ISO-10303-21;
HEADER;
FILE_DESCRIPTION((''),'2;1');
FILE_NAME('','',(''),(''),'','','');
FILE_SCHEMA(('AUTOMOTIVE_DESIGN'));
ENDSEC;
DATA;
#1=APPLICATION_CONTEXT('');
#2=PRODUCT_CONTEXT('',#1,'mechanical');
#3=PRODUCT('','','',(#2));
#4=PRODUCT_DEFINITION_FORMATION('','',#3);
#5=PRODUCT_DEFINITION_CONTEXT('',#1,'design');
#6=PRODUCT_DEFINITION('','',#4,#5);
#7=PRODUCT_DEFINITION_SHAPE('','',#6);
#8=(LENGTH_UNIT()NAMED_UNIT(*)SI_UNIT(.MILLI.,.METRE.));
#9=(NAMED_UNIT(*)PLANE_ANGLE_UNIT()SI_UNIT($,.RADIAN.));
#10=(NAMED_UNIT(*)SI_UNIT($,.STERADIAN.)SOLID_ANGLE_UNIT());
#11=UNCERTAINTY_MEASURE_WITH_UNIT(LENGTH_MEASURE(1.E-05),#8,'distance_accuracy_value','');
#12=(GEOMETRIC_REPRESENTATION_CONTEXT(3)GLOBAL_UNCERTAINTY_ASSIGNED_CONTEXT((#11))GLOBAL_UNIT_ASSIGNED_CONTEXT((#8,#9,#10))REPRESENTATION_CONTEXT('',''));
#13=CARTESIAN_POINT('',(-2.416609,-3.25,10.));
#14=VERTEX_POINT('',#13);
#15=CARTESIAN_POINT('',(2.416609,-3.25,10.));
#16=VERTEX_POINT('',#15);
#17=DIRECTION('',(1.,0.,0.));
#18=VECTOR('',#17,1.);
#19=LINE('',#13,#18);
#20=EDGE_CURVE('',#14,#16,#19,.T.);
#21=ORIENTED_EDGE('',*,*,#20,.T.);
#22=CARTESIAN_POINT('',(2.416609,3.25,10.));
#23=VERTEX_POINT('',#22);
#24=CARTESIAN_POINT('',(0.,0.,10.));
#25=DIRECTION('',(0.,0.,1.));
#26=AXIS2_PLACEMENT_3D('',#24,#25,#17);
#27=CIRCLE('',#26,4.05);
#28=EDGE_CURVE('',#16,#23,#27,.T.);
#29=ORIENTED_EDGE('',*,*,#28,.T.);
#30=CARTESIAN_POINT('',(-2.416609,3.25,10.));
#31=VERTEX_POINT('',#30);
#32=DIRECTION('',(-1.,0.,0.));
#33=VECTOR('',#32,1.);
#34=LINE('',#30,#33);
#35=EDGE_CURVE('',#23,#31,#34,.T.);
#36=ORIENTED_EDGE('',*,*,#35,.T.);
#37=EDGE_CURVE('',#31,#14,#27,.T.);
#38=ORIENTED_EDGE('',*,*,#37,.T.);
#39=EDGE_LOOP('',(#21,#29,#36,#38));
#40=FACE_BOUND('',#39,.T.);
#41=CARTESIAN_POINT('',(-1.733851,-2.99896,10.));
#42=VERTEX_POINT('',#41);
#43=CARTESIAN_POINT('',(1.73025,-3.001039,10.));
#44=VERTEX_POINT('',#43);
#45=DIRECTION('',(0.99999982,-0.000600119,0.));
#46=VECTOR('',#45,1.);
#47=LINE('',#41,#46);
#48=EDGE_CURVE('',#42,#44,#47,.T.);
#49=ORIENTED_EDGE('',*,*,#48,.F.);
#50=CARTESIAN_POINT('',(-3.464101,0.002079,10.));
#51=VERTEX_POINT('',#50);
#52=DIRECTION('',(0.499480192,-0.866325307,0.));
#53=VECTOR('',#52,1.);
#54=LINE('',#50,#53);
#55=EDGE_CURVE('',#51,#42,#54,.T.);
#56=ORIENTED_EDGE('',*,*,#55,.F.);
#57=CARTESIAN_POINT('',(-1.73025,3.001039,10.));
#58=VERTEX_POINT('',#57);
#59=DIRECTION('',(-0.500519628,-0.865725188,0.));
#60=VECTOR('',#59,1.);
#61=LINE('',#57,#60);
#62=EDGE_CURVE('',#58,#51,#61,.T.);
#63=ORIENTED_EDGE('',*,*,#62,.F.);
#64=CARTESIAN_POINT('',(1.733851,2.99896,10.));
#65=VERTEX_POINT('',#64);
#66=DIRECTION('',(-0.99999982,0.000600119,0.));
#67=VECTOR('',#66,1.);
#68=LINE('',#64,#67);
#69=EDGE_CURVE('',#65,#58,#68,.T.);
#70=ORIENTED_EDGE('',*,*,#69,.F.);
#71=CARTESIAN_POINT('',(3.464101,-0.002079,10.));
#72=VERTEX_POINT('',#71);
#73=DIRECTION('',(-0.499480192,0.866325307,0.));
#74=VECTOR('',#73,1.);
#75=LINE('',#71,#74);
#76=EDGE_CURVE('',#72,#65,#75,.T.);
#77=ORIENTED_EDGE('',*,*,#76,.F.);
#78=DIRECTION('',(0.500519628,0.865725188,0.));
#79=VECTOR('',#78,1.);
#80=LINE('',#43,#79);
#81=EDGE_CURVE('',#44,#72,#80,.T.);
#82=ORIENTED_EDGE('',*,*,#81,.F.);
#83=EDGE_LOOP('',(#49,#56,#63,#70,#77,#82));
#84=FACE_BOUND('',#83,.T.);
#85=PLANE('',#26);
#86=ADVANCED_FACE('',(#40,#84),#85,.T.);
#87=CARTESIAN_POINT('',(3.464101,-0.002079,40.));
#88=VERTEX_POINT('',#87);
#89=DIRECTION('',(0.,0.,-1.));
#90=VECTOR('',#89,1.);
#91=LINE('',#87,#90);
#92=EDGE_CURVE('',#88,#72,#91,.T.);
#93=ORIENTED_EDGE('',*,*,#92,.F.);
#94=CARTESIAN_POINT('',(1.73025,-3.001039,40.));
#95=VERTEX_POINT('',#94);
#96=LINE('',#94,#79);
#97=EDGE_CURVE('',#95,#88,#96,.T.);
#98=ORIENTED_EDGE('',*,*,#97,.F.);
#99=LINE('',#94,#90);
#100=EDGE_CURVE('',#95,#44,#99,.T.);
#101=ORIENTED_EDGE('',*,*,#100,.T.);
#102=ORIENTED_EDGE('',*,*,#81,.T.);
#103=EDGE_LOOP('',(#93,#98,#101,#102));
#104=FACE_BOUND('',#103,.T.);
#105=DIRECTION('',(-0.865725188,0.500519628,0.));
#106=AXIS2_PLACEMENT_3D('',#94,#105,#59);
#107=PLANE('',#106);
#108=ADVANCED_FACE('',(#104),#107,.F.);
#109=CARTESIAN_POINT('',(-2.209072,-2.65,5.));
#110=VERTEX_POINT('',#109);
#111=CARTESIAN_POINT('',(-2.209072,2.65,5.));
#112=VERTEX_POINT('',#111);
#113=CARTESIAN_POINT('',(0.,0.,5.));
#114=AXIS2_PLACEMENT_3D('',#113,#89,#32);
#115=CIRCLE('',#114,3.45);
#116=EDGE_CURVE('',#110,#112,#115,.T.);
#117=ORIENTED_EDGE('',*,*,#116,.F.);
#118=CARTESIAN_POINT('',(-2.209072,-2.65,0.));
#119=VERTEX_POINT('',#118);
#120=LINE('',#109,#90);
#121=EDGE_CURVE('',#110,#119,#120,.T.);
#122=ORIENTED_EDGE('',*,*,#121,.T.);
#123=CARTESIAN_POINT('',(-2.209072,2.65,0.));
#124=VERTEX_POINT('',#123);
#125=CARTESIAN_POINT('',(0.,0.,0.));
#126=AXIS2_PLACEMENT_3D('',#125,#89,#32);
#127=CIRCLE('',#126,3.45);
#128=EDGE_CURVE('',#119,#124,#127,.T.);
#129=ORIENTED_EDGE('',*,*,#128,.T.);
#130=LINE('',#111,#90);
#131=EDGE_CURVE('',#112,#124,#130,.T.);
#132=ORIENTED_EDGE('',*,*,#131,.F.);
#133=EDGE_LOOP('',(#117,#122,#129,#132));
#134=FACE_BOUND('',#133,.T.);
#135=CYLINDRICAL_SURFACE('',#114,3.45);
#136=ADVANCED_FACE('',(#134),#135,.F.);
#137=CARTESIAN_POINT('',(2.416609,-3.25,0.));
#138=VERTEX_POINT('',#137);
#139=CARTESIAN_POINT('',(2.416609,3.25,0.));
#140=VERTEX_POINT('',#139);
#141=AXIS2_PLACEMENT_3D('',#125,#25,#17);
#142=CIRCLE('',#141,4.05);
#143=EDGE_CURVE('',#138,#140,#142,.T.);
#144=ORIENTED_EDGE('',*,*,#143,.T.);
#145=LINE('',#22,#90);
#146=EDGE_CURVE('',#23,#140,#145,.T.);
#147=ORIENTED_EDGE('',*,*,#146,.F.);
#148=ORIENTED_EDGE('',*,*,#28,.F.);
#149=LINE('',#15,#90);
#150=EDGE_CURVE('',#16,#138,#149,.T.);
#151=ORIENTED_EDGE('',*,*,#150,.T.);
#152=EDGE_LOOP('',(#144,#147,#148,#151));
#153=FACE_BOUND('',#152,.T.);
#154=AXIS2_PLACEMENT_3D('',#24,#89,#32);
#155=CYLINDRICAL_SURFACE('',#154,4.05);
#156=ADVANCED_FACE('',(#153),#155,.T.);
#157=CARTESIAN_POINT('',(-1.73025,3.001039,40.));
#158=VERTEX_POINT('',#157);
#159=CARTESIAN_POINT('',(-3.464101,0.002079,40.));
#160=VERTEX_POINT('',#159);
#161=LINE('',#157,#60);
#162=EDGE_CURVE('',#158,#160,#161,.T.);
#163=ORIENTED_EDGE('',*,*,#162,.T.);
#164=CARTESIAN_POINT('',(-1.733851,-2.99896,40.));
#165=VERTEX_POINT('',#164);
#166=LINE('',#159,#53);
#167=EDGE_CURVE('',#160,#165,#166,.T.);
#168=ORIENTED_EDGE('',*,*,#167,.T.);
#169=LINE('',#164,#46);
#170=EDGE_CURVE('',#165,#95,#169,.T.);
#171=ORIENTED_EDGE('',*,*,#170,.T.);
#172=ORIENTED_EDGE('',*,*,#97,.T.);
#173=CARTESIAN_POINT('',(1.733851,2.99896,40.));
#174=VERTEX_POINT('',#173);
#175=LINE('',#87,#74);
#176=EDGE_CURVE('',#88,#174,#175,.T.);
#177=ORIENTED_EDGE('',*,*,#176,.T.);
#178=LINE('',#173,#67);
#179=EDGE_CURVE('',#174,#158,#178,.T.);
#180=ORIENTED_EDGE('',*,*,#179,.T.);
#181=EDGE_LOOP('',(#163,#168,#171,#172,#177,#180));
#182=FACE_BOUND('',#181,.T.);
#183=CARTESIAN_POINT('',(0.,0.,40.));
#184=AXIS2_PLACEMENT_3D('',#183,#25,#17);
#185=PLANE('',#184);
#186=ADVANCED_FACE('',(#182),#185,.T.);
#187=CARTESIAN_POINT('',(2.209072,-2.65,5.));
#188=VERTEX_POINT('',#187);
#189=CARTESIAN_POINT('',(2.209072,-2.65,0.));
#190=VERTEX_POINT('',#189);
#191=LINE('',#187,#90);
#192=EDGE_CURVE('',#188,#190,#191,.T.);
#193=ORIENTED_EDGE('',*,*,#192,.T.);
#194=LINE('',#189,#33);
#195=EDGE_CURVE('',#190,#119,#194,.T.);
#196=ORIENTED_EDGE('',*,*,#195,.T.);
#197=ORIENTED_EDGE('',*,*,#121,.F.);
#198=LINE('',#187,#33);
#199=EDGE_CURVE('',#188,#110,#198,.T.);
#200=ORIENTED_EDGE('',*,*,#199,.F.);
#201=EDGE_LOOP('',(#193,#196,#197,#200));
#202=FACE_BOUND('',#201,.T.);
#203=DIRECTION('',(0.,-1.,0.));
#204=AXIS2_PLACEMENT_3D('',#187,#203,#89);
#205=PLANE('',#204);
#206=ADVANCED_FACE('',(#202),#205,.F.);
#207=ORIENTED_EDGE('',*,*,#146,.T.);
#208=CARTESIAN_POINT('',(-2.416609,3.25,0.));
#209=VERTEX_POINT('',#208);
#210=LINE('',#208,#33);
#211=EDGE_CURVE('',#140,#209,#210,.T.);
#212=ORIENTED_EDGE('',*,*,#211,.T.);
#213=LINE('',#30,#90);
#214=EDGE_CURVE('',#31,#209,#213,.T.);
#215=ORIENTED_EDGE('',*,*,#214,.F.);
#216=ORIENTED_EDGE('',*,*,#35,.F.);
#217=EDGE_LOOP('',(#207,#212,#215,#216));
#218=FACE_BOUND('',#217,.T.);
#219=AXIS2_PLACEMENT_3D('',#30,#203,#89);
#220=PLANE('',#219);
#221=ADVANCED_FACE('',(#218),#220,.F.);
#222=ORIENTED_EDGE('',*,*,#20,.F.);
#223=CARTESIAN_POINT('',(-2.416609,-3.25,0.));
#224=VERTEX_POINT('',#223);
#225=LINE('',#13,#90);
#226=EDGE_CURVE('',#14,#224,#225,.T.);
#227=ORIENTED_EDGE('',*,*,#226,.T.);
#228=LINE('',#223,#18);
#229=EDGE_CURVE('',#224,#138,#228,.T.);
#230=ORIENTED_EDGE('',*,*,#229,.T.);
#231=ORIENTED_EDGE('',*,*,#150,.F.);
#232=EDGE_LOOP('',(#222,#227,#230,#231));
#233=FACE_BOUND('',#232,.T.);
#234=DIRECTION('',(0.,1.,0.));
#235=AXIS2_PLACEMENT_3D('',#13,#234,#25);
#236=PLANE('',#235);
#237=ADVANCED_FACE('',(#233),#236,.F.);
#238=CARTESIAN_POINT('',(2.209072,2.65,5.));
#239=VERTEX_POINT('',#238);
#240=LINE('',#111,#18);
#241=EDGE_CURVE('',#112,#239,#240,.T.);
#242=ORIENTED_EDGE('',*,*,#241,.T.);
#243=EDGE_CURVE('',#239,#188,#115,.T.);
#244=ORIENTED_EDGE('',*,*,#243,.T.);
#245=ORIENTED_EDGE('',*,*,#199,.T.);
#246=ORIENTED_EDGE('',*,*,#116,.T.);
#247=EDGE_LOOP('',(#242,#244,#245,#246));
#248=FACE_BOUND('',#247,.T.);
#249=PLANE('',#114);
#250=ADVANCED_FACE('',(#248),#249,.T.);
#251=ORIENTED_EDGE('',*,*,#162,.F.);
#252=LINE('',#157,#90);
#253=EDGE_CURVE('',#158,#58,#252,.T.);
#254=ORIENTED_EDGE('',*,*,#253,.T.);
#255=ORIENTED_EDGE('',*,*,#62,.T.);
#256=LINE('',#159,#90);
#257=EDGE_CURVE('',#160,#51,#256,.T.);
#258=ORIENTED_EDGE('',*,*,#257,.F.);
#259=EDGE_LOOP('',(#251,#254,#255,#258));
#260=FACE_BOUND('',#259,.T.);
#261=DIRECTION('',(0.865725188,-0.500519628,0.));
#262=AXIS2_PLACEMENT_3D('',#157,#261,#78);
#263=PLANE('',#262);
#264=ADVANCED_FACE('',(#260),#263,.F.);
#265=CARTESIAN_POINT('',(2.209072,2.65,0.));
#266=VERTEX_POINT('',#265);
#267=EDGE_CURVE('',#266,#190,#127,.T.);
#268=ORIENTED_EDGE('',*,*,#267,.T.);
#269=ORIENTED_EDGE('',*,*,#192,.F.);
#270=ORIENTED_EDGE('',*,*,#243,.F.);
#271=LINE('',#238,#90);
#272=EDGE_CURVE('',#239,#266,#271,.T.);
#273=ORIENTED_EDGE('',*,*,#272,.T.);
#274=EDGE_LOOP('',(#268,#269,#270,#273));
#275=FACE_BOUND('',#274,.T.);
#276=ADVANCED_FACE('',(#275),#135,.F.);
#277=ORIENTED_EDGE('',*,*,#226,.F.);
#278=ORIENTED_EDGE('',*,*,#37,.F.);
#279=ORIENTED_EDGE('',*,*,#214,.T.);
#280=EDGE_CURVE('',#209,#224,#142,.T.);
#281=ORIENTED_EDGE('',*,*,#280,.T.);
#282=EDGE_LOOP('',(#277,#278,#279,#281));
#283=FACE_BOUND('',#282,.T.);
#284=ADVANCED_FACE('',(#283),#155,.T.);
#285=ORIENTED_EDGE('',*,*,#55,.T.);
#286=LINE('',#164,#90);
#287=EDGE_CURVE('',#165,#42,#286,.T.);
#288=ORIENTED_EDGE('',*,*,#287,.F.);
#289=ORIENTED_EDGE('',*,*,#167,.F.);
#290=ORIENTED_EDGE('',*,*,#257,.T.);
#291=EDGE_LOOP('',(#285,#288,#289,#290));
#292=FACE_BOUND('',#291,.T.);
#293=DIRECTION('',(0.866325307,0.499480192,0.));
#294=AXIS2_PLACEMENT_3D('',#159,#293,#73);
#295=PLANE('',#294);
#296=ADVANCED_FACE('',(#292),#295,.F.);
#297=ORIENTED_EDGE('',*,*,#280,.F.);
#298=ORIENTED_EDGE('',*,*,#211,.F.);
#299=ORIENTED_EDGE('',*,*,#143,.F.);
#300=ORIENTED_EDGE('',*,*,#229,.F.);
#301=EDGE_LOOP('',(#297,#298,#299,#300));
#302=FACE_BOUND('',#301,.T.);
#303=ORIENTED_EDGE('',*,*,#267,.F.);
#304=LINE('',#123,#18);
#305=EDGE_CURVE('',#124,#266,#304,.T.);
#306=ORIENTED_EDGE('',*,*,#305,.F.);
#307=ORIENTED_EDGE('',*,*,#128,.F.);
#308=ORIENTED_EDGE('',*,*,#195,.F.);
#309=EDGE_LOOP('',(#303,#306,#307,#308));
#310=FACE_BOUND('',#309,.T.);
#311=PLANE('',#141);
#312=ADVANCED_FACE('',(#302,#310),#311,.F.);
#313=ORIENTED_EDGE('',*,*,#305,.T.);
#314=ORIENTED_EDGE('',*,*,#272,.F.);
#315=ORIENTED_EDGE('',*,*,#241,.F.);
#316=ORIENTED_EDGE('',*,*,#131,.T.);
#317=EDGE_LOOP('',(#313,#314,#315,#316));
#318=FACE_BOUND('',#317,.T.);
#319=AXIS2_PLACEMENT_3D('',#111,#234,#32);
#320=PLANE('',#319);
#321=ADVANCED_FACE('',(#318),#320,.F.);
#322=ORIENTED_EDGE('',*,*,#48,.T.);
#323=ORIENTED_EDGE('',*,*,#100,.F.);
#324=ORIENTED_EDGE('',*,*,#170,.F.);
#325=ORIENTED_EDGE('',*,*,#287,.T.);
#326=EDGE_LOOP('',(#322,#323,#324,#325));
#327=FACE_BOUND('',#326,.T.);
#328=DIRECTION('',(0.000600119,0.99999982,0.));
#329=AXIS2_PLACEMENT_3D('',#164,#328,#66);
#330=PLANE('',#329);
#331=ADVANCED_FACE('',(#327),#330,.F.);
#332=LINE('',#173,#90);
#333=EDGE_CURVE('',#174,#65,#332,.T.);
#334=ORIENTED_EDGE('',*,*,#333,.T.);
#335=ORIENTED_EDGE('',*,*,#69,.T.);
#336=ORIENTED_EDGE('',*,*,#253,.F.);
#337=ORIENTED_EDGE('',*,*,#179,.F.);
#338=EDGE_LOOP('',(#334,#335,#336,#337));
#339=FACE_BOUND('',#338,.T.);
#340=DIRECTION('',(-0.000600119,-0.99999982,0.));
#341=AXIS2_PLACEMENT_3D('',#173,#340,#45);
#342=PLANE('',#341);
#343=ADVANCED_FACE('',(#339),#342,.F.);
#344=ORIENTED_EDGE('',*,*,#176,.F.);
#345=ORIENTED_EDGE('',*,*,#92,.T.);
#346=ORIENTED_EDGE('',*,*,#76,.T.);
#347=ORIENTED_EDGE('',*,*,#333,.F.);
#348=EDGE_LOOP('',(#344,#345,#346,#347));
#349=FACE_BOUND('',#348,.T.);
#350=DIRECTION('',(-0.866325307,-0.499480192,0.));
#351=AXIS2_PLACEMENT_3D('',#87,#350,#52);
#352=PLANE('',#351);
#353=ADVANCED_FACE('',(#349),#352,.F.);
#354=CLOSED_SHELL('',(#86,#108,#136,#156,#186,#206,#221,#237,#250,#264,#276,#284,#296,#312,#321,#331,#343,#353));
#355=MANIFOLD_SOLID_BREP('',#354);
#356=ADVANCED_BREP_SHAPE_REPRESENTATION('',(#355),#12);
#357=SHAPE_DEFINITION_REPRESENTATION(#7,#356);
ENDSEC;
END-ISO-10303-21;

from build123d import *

# Parameters (mm, degrees)
BOSS_EXTRUDE2_DEPTH = 10
BOSS_EXTRUDE3_DEPTH = 30
CUT_EXTRUDE1_DEPTH  = 5


with BuildPart() as part:
    # Sketch1 → Boss-Extrude2 (new body)
    with BuildSketch(Plane.XY):
        with BuildLine():
            Line((-2.416609195, 3.25), (2.416609195, 3.25))
            ThreePointArc((2.416609195, 3.25), (4.05, 0), (2.416609195, -3.25))
            Line((2.416609195, -3.25), (-2.416609195, -3.25))
            ThreePointArc((-2.416609195, -3.25), (-4.05, 0), (-2.416609195, 3.25))
        make_face()
    extrude(amount=BOSS_EXTRUDE2_DEPTH)

    # Sketch4 → Boss-Extrude3 (add)
    with BuildSketch(Plane.XY.offset(10)):
        Polygon((1.730250139, -3.001038896), (3.464100991, -0.002078873), (1.733850853, 2.998960023), (-1.730250139, 3.001038896), (-3.464100991, 0.002078873), (-1.733850853, -2.998960023), align=None)
    extrude(amount=BOSS_EXTRUDE3_DEPTH)

    # Sketch3 → Cut-Extrude1 (cut)
    with BuildSketch(Plane(origin=(0, 0, 0), x_dir=(-1, 0, 0), z_dir=(0, 0, -1))):
        with BuildLine():
            Line((2.209072203, 2.65), (-2.209072203, 2.65))
            ThreePointArc((-2.209072203, 2.65), (-3.45, 0), (-2.209072203, -2.65))
            Line((-2.209072203, -2.65), (2.209072203, -2.65))
            ThreePointArc((2.209072203, -2.65), (3.45, 0), (2.209072203, 2.65))
        make_face()
    extrude(amount=-CUT_EXTRUDE1_DEPTH, mode=Mode.SUBTRACT)


solid = part.part
